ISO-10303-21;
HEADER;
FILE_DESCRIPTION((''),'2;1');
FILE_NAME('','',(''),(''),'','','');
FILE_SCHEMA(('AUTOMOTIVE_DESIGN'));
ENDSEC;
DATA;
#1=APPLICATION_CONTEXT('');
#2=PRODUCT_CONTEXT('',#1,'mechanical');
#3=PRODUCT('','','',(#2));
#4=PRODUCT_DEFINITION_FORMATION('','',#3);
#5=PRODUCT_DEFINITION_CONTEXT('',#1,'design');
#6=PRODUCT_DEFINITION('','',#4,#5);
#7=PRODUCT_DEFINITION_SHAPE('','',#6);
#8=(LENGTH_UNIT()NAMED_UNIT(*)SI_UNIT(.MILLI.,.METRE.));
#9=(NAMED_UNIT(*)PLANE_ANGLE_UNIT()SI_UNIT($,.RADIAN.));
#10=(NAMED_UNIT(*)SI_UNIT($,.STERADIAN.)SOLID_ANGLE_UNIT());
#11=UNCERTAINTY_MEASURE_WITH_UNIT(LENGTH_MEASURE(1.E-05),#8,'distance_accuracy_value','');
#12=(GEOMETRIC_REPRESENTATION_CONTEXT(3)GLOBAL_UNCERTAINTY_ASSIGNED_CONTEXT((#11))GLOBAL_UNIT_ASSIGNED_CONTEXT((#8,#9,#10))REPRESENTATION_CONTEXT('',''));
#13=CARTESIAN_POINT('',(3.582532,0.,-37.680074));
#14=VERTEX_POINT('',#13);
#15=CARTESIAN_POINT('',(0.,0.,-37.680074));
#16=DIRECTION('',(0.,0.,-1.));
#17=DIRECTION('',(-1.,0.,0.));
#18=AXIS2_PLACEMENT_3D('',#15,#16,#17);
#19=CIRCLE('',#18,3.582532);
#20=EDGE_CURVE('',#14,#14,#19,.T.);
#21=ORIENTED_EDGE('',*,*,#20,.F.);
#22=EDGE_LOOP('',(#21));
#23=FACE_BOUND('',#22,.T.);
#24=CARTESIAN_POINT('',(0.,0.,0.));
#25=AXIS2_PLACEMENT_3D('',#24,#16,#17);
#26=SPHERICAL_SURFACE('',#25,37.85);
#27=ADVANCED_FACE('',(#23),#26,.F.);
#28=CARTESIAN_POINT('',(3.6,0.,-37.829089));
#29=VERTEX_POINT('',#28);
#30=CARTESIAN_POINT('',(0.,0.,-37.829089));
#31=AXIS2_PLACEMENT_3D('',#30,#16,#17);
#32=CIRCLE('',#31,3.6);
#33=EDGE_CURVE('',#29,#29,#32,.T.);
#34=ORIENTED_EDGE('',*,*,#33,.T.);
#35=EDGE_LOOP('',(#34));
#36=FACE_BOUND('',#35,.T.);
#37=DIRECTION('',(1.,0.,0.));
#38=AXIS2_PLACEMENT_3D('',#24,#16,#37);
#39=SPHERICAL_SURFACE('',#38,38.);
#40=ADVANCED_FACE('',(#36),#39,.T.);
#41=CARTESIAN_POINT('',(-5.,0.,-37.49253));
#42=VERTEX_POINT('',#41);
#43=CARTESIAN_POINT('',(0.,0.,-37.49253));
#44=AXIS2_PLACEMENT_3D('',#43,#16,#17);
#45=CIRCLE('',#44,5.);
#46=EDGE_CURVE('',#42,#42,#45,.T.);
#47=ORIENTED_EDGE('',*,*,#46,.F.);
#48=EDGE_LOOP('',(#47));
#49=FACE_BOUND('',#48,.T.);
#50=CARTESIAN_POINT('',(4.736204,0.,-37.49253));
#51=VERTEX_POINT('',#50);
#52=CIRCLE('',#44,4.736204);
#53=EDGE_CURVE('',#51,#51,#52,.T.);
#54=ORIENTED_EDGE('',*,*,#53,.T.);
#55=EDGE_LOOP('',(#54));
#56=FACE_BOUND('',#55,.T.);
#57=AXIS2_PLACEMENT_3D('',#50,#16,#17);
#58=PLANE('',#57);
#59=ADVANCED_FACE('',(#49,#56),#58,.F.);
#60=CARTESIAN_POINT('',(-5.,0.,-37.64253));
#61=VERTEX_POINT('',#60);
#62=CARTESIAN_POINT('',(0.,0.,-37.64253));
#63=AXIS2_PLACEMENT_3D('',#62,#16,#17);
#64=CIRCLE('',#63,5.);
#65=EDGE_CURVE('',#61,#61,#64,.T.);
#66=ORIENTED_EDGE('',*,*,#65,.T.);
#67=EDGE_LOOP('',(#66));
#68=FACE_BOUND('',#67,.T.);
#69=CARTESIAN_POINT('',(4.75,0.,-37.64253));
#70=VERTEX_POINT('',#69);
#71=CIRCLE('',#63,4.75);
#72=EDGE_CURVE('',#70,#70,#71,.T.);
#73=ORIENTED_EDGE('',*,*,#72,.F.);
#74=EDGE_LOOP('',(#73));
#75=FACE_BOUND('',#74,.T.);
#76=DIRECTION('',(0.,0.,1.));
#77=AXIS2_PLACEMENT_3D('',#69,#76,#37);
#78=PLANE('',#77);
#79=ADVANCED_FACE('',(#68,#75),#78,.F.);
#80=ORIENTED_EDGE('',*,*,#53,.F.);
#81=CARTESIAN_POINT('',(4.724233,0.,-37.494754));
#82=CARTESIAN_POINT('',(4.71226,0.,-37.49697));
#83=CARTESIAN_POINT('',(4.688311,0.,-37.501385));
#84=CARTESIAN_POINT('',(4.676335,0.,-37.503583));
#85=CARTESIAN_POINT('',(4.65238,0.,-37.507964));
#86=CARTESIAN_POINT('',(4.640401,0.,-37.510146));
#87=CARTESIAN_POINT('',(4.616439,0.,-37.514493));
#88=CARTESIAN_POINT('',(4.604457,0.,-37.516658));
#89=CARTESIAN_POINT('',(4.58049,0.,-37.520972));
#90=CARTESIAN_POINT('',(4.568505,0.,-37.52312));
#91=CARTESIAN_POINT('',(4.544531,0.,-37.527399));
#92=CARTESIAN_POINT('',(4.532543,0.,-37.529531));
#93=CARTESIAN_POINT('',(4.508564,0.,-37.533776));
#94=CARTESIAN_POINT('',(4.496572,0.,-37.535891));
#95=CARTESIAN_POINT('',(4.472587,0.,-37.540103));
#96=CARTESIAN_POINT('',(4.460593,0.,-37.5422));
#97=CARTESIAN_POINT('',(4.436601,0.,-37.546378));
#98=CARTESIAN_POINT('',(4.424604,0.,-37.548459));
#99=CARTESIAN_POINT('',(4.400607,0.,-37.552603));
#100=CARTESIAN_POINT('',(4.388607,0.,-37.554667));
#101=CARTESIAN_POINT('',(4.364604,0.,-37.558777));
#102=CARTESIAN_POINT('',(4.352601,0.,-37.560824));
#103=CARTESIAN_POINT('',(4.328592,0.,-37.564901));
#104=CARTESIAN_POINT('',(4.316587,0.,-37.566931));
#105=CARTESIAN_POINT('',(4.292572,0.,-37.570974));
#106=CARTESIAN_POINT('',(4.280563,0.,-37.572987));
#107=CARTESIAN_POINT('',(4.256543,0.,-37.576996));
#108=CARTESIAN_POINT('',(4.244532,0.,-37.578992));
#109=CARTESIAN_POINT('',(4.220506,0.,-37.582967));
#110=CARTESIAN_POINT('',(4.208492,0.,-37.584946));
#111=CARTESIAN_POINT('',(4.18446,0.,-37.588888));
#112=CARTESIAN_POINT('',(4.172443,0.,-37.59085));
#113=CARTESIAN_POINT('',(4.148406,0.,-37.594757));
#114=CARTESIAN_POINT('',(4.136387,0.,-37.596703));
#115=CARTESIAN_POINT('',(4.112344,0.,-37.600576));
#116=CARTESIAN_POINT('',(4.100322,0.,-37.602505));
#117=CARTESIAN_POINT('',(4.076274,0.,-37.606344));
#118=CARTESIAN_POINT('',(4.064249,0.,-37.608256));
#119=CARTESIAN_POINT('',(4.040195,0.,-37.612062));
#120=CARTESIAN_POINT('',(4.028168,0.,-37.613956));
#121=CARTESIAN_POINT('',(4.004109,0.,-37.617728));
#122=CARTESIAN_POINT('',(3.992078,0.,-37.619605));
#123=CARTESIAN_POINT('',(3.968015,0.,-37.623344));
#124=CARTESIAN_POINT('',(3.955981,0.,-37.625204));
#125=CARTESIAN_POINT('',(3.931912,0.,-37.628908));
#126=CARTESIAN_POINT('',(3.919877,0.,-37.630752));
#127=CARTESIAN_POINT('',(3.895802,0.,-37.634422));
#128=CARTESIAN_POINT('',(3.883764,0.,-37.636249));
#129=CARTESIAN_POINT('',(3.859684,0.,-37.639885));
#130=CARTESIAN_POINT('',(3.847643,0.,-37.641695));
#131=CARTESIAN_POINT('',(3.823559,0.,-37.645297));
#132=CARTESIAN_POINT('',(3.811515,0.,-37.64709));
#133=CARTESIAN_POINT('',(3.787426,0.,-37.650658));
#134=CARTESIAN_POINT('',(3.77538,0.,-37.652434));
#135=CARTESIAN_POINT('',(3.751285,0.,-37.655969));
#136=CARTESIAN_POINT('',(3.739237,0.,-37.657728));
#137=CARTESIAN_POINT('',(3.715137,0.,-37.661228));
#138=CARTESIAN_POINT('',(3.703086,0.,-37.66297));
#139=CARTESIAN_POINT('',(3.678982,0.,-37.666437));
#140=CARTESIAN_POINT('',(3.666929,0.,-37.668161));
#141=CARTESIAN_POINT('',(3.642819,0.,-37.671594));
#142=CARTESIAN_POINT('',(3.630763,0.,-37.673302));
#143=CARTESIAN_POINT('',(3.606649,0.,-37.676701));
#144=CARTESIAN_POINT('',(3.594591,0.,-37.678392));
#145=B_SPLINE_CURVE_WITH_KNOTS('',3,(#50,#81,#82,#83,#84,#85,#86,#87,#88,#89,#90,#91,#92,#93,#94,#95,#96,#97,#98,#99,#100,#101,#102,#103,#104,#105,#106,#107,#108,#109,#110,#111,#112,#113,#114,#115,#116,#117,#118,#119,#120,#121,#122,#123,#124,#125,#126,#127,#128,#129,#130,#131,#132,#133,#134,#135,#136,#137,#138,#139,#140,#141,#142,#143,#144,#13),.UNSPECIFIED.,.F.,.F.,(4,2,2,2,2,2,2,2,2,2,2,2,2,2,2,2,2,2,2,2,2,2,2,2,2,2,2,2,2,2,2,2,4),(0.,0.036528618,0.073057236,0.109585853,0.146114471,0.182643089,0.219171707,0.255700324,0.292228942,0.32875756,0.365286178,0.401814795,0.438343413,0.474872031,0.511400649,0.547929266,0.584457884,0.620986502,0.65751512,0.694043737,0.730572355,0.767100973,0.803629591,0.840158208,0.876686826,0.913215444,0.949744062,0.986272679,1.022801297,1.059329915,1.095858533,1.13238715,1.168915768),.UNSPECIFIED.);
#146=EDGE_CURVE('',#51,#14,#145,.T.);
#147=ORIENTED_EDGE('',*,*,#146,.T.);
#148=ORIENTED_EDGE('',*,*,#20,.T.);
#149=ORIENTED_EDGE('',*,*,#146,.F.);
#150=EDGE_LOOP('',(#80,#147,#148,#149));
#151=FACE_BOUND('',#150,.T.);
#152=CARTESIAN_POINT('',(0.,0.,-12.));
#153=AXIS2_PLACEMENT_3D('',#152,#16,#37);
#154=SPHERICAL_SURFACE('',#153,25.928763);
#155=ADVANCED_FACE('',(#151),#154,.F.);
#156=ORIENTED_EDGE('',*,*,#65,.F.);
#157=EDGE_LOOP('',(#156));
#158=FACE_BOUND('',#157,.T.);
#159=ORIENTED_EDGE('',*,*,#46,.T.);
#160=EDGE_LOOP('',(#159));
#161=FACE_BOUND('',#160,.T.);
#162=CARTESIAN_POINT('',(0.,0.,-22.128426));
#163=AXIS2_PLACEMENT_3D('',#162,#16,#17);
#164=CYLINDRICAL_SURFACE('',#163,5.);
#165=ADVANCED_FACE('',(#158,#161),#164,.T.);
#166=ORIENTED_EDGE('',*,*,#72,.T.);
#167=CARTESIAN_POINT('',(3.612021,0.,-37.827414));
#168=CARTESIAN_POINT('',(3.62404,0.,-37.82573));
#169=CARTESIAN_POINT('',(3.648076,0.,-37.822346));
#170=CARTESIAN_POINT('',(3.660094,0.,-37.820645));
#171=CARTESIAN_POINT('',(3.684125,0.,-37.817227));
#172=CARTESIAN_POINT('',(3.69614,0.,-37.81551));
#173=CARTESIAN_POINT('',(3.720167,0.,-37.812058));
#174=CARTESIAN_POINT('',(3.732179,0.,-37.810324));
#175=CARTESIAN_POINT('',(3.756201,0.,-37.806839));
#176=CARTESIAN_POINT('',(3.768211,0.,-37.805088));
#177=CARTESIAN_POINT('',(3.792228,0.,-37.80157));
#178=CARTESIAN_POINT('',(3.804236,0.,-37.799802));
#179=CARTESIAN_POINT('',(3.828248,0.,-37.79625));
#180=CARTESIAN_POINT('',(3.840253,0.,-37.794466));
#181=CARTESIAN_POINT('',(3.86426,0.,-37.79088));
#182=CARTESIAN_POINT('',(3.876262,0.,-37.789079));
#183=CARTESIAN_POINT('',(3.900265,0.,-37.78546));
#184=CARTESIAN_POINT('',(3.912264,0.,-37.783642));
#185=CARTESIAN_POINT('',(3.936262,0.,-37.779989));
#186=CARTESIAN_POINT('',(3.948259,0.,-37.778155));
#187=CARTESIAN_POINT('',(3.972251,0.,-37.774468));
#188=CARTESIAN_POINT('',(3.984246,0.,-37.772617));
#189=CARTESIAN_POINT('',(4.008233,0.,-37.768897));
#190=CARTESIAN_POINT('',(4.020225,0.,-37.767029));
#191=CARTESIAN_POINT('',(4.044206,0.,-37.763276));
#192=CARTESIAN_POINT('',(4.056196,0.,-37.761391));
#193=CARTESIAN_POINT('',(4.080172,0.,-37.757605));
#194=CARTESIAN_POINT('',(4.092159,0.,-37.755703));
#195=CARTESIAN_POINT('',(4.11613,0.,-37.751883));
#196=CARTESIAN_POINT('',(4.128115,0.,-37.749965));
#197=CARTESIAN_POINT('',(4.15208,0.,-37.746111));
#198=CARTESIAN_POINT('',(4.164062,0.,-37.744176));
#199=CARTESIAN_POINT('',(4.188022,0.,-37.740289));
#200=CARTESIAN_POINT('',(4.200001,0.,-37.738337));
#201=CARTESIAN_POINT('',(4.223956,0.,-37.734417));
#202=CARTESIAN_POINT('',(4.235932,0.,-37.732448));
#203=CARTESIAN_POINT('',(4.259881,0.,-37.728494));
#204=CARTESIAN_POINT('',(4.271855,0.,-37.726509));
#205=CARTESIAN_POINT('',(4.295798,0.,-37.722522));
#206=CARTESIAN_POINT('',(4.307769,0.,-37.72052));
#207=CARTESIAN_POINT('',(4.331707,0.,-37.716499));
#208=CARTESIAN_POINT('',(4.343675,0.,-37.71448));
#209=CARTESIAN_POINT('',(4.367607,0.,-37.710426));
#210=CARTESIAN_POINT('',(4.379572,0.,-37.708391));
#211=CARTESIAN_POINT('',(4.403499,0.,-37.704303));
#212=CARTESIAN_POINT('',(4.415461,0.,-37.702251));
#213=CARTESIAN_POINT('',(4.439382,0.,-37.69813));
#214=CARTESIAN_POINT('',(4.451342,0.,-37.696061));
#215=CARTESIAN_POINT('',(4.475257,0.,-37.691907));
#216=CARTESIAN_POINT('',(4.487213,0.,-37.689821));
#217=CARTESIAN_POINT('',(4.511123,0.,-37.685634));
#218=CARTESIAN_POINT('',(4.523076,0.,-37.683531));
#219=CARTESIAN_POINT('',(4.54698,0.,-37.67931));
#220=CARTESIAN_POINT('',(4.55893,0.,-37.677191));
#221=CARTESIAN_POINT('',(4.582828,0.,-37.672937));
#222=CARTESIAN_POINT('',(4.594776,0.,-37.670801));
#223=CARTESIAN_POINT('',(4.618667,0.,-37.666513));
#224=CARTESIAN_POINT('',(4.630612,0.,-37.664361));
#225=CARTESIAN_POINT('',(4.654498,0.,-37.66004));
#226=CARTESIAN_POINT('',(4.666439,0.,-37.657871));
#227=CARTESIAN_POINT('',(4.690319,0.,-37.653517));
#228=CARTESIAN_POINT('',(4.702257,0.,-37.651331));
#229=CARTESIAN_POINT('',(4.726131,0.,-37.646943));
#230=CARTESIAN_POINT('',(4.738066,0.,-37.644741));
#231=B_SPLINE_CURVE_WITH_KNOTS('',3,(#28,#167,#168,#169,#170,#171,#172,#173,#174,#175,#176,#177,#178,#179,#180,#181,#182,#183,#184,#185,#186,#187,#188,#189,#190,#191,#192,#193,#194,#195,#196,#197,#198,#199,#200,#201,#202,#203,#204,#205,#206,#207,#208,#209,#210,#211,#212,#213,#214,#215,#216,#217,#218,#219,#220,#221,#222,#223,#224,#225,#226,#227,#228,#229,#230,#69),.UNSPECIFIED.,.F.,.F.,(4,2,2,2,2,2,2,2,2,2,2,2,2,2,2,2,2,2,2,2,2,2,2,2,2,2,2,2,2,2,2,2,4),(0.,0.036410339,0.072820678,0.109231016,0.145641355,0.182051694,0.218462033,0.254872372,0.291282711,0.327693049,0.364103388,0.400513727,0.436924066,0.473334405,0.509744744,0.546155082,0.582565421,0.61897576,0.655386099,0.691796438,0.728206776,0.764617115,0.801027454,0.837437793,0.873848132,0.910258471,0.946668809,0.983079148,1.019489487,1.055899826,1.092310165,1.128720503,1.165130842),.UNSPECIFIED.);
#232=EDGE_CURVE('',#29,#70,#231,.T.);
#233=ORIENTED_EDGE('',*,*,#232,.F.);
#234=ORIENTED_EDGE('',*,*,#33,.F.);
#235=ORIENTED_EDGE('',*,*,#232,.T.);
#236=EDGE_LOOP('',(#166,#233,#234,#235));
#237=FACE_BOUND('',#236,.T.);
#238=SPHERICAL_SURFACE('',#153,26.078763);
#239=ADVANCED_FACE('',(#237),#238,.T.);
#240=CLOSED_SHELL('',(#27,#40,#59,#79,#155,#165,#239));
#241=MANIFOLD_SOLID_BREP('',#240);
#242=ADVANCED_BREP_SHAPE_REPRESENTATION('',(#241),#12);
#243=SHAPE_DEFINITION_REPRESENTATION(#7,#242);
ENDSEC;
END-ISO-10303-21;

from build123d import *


with BuildPart() as part:
    # 草图1 → 旋转5 (revolve)
    with BuildSketch(Plane(origin=(0, 0, 0), x_dir=(1, 0, 0), z_dir=(0, 1, 0))):
        with BuildLine():
            Line((4.75, 37.642530217), (5, 37.642530217))
            Line((5, 37.642530217), (5, 37.492530217))
            Line((5, 37.492530217), (4.736204208, 37.492530217))
            ThreePointArc((4.736204208, 37.492530217), (4.160424845, 37.592803525), (3.58253169, 37.680073868))
            ThreePointArc((3.58253169, 37.680073868), (1.793279691, 37.8074946), (0, 37.85))
            Line((0, 37.85), (0, 38))
            ThreePointArc((0, 38), (1.802027362, 37.957248285), (3.6, 37.829089336))
            ThreePointArc((3.6, 37.829089336), (4.176041915, 37.742232418), (4.75, 37.642530217))
        make_face()
    revolve(axis=Axis((0, 0, -22.128426055), (0, 0, 1)))


solid = part.part
